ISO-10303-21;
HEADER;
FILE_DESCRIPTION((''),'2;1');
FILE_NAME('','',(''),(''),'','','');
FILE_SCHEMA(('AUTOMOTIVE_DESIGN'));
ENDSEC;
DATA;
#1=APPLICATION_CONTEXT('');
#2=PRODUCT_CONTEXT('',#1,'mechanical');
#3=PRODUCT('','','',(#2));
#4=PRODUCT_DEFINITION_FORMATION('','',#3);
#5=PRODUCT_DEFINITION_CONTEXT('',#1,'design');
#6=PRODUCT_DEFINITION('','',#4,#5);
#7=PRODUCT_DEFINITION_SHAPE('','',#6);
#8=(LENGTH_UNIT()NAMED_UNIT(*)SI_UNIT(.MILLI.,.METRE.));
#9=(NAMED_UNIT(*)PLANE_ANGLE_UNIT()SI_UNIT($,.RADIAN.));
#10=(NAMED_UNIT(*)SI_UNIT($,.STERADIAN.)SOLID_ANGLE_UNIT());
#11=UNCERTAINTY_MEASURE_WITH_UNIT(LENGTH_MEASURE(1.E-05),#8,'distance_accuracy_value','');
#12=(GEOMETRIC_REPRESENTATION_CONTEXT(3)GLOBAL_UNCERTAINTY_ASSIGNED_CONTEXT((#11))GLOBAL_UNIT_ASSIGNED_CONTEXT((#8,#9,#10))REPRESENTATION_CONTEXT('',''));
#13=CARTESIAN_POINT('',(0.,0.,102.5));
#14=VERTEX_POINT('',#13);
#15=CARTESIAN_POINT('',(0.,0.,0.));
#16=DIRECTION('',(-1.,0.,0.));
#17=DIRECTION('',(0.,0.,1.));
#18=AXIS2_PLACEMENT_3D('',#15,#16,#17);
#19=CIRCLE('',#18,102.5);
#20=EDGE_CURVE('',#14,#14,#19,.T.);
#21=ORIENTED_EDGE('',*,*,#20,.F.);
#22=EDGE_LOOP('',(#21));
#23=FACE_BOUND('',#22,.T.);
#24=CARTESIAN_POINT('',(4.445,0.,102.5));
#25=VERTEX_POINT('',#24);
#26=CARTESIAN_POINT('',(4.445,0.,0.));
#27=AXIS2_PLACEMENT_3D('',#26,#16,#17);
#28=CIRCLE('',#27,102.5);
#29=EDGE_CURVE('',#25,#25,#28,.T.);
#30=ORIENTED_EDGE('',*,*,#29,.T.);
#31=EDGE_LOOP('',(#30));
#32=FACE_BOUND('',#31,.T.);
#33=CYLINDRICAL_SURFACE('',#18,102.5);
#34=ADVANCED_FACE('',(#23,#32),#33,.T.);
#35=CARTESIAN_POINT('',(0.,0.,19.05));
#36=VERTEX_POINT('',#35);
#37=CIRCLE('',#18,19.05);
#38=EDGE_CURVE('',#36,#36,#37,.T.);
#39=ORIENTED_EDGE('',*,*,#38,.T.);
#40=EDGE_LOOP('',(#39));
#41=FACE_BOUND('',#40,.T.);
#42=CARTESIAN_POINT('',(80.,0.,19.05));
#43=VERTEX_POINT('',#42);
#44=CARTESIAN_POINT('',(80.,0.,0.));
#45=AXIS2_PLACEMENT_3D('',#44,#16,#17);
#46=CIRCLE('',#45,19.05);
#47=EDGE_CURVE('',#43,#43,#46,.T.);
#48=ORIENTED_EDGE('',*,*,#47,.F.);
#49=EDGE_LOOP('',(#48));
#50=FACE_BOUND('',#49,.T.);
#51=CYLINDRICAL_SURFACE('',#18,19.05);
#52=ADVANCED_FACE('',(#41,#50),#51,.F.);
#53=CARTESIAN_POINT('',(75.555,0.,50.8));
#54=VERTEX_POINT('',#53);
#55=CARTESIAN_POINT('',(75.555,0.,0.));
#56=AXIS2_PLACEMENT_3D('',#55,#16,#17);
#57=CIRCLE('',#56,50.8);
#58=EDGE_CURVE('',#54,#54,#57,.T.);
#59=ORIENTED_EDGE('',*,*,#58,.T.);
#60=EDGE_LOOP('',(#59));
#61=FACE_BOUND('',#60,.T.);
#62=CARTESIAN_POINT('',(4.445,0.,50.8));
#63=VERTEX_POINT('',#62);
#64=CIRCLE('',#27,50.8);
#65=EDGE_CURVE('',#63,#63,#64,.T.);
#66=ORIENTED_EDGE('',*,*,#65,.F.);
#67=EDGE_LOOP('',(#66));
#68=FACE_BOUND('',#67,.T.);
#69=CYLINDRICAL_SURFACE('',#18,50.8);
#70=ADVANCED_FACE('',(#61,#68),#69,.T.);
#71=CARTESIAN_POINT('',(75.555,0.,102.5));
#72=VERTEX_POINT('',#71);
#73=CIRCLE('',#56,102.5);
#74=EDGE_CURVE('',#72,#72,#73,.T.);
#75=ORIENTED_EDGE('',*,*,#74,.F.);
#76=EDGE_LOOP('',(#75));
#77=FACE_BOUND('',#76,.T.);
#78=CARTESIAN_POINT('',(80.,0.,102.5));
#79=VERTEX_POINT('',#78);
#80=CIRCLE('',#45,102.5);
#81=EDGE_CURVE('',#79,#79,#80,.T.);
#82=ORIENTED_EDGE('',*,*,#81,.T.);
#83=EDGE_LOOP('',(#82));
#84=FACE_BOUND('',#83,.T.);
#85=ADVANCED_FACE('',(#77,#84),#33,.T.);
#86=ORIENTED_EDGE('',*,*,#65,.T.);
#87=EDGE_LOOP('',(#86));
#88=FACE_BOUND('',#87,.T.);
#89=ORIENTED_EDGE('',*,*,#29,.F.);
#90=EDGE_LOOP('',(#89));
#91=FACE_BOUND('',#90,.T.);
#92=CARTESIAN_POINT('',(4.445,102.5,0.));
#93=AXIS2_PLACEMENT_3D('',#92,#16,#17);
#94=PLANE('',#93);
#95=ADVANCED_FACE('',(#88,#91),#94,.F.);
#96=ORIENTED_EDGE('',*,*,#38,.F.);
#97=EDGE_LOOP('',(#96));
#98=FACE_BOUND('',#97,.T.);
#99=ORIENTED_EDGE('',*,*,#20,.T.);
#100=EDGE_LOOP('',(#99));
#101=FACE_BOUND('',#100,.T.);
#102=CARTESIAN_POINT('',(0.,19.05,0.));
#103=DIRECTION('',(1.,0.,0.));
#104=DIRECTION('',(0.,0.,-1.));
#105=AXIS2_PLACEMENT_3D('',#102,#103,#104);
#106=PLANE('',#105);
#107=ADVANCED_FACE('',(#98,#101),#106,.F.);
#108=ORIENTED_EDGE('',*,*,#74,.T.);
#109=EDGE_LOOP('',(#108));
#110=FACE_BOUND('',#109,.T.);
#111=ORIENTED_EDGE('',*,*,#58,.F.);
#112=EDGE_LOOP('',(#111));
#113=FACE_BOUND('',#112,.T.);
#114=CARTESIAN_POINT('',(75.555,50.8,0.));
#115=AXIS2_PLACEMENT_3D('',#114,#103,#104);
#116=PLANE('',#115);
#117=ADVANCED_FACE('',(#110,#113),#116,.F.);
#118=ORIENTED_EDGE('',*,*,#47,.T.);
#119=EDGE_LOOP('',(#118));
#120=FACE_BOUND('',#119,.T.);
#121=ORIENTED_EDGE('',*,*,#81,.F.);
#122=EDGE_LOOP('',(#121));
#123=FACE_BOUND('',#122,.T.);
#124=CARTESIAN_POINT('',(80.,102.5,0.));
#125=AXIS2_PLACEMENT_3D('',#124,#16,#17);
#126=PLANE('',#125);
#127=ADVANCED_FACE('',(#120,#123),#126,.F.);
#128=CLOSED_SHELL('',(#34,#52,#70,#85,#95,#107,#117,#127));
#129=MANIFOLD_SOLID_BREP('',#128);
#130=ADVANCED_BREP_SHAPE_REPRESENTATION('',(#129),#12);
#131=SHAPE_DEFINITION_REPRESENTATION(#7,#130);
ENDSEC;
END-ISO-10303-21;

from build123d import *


with BuildPart() as part:
    # Sketch1 → Revolve1 (revolve)
    with BuildSketch(Plane.XY, mode=Mode.PRIVATE) as revolve1_sk:
        Polygon((80, 19.05), (0, 19.05), (0, 102.5), (4.445, 102.5), (4.445, 50.8), (75.555, 50.8), (75.555, 102.5), (80, 102.5), align=None)
    revolve(revolve1_sk.sketch.rotate(Axis((0, 0, 0), (1, 0, 0)), 90), axis=Axis((0, 0, 0), (1, 0, 0)))


solid = part.part
